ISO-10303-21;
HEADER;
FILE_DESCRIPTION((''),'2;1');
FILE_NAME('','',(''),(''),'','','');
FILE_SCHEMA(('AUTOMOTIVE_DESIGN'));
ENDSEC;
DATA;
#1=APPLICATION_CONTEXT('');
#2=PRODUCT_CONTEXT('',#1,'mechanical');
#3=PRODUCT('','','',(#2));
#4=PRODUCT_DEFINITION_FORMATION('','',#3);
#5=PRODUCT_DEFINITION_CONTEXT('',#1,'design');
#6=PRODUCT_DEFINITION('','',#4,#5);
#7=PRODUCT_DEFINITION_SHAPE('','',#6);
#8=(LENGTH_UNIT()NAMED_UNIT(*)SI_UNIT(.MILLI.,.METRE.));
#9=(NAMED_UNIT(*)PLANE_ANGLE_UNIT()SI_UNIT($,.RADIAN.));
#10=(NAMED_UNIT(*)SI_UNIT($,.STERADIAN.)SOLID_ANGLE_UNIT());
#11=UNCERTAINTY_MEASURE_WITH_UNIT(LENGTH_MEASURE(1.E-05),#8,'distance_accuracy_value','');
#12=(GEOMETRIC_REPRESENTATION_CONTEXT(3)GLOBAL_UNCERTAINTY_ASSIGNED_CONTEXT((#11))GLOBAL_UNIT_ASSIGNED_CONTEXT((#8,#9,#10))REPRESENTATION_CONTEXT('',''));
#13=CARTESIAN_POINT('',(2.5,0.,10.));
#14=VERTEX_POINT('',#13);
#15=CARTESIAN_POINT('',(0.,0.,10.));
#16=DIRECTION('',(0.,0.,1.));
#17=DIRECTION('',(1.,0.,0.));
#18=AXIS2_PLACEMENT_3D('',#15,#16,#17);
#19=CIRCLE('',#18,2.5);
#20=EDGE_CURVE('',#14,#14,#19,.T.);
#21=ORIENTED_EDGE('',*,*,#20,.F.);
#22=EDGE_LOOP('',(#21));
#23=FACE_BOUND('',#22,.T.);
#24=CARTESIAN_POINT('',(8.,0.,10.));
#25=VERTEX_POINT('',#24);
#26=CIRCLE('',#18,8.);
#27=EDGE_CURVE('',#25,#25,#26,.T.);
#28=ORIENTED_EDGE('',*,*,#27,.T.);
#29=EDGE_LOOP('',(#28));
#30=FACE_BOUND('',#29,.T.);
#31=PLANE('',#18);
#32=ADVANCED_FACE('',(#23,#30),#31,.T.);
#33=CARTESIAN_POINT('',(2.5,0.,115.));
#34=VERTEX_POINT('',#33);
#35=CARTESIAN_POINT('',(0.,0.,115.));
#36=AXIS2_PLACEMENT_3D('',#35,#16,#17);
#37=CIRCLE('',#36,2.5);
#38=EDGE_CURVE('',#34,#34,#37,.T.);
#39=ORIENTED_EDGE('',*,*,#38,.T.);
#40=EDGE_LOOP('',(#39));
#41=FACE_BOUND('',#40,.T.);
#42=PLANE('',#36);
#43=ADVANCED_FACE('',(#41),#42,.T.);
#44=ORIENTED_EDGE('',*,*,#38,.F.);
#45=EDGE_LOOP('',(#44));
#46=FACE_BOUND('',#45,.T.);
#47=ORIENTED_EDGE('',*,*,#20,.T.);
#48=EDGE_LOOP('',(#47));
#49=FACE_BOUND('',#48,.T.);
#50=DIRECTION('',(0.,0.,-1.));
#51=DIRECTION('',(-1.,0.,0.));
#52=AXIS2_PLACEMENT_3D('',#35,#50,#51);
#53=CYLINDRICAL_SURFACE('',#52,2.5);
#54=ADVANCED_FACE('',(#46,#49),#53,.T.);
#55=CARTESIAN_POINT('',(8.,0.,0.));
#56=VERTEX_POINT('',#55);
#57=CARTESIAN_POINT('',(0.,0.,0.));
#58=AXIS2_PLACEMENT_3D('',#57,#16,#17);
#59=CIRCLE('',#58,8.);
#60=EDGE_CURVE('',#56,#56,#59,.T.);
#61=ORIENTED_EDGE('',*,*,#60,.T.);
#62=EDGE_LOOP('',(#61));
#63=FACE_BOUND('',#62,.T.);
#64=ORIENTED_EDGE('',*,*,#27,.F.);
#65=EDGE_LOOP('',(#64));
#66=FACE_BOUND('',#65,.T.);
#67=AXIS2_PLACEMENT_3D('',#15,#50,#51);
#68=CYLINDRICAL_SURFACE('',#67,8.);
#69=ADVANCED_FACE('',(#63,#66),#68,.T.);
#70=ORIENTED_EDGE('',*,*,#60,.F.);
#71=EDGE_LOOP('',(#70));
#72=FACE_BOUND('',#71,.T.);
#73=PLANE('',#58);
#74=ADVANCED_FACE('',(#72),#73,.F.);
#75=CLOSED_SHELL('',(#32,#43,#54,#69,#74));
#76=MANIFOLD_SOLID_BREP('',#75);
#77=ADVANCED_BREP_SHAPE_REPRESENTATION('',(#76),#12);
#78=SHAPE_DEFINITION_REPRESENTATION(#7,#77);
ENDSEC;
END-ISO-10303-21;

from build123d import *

# Parameters (mm, degrees)
SKETCH_1_R      = 8
EXTRUDE_1_DEPTH = 10
SKETCH_2_R      = 2.5
EXTRUDE_2_DEPTH = 105


with BuildPart() as part:
    # 草图1 → 凸台-拉伸1 (new body)
    with BuildSketch(Plane.XY):
        Circle(SKETCH_1_R)
    extrude(amount=EXTRUDE_1_DEPTH)

    # 草图2 → 凸台-拉伸2 (add)
    with BuildSketch(Plane.XY.offset(10)):
        Circle(SKETCH_2_R)
    extrude(amount=EXTRUDE_2_DEPTH)


solid = part.part
